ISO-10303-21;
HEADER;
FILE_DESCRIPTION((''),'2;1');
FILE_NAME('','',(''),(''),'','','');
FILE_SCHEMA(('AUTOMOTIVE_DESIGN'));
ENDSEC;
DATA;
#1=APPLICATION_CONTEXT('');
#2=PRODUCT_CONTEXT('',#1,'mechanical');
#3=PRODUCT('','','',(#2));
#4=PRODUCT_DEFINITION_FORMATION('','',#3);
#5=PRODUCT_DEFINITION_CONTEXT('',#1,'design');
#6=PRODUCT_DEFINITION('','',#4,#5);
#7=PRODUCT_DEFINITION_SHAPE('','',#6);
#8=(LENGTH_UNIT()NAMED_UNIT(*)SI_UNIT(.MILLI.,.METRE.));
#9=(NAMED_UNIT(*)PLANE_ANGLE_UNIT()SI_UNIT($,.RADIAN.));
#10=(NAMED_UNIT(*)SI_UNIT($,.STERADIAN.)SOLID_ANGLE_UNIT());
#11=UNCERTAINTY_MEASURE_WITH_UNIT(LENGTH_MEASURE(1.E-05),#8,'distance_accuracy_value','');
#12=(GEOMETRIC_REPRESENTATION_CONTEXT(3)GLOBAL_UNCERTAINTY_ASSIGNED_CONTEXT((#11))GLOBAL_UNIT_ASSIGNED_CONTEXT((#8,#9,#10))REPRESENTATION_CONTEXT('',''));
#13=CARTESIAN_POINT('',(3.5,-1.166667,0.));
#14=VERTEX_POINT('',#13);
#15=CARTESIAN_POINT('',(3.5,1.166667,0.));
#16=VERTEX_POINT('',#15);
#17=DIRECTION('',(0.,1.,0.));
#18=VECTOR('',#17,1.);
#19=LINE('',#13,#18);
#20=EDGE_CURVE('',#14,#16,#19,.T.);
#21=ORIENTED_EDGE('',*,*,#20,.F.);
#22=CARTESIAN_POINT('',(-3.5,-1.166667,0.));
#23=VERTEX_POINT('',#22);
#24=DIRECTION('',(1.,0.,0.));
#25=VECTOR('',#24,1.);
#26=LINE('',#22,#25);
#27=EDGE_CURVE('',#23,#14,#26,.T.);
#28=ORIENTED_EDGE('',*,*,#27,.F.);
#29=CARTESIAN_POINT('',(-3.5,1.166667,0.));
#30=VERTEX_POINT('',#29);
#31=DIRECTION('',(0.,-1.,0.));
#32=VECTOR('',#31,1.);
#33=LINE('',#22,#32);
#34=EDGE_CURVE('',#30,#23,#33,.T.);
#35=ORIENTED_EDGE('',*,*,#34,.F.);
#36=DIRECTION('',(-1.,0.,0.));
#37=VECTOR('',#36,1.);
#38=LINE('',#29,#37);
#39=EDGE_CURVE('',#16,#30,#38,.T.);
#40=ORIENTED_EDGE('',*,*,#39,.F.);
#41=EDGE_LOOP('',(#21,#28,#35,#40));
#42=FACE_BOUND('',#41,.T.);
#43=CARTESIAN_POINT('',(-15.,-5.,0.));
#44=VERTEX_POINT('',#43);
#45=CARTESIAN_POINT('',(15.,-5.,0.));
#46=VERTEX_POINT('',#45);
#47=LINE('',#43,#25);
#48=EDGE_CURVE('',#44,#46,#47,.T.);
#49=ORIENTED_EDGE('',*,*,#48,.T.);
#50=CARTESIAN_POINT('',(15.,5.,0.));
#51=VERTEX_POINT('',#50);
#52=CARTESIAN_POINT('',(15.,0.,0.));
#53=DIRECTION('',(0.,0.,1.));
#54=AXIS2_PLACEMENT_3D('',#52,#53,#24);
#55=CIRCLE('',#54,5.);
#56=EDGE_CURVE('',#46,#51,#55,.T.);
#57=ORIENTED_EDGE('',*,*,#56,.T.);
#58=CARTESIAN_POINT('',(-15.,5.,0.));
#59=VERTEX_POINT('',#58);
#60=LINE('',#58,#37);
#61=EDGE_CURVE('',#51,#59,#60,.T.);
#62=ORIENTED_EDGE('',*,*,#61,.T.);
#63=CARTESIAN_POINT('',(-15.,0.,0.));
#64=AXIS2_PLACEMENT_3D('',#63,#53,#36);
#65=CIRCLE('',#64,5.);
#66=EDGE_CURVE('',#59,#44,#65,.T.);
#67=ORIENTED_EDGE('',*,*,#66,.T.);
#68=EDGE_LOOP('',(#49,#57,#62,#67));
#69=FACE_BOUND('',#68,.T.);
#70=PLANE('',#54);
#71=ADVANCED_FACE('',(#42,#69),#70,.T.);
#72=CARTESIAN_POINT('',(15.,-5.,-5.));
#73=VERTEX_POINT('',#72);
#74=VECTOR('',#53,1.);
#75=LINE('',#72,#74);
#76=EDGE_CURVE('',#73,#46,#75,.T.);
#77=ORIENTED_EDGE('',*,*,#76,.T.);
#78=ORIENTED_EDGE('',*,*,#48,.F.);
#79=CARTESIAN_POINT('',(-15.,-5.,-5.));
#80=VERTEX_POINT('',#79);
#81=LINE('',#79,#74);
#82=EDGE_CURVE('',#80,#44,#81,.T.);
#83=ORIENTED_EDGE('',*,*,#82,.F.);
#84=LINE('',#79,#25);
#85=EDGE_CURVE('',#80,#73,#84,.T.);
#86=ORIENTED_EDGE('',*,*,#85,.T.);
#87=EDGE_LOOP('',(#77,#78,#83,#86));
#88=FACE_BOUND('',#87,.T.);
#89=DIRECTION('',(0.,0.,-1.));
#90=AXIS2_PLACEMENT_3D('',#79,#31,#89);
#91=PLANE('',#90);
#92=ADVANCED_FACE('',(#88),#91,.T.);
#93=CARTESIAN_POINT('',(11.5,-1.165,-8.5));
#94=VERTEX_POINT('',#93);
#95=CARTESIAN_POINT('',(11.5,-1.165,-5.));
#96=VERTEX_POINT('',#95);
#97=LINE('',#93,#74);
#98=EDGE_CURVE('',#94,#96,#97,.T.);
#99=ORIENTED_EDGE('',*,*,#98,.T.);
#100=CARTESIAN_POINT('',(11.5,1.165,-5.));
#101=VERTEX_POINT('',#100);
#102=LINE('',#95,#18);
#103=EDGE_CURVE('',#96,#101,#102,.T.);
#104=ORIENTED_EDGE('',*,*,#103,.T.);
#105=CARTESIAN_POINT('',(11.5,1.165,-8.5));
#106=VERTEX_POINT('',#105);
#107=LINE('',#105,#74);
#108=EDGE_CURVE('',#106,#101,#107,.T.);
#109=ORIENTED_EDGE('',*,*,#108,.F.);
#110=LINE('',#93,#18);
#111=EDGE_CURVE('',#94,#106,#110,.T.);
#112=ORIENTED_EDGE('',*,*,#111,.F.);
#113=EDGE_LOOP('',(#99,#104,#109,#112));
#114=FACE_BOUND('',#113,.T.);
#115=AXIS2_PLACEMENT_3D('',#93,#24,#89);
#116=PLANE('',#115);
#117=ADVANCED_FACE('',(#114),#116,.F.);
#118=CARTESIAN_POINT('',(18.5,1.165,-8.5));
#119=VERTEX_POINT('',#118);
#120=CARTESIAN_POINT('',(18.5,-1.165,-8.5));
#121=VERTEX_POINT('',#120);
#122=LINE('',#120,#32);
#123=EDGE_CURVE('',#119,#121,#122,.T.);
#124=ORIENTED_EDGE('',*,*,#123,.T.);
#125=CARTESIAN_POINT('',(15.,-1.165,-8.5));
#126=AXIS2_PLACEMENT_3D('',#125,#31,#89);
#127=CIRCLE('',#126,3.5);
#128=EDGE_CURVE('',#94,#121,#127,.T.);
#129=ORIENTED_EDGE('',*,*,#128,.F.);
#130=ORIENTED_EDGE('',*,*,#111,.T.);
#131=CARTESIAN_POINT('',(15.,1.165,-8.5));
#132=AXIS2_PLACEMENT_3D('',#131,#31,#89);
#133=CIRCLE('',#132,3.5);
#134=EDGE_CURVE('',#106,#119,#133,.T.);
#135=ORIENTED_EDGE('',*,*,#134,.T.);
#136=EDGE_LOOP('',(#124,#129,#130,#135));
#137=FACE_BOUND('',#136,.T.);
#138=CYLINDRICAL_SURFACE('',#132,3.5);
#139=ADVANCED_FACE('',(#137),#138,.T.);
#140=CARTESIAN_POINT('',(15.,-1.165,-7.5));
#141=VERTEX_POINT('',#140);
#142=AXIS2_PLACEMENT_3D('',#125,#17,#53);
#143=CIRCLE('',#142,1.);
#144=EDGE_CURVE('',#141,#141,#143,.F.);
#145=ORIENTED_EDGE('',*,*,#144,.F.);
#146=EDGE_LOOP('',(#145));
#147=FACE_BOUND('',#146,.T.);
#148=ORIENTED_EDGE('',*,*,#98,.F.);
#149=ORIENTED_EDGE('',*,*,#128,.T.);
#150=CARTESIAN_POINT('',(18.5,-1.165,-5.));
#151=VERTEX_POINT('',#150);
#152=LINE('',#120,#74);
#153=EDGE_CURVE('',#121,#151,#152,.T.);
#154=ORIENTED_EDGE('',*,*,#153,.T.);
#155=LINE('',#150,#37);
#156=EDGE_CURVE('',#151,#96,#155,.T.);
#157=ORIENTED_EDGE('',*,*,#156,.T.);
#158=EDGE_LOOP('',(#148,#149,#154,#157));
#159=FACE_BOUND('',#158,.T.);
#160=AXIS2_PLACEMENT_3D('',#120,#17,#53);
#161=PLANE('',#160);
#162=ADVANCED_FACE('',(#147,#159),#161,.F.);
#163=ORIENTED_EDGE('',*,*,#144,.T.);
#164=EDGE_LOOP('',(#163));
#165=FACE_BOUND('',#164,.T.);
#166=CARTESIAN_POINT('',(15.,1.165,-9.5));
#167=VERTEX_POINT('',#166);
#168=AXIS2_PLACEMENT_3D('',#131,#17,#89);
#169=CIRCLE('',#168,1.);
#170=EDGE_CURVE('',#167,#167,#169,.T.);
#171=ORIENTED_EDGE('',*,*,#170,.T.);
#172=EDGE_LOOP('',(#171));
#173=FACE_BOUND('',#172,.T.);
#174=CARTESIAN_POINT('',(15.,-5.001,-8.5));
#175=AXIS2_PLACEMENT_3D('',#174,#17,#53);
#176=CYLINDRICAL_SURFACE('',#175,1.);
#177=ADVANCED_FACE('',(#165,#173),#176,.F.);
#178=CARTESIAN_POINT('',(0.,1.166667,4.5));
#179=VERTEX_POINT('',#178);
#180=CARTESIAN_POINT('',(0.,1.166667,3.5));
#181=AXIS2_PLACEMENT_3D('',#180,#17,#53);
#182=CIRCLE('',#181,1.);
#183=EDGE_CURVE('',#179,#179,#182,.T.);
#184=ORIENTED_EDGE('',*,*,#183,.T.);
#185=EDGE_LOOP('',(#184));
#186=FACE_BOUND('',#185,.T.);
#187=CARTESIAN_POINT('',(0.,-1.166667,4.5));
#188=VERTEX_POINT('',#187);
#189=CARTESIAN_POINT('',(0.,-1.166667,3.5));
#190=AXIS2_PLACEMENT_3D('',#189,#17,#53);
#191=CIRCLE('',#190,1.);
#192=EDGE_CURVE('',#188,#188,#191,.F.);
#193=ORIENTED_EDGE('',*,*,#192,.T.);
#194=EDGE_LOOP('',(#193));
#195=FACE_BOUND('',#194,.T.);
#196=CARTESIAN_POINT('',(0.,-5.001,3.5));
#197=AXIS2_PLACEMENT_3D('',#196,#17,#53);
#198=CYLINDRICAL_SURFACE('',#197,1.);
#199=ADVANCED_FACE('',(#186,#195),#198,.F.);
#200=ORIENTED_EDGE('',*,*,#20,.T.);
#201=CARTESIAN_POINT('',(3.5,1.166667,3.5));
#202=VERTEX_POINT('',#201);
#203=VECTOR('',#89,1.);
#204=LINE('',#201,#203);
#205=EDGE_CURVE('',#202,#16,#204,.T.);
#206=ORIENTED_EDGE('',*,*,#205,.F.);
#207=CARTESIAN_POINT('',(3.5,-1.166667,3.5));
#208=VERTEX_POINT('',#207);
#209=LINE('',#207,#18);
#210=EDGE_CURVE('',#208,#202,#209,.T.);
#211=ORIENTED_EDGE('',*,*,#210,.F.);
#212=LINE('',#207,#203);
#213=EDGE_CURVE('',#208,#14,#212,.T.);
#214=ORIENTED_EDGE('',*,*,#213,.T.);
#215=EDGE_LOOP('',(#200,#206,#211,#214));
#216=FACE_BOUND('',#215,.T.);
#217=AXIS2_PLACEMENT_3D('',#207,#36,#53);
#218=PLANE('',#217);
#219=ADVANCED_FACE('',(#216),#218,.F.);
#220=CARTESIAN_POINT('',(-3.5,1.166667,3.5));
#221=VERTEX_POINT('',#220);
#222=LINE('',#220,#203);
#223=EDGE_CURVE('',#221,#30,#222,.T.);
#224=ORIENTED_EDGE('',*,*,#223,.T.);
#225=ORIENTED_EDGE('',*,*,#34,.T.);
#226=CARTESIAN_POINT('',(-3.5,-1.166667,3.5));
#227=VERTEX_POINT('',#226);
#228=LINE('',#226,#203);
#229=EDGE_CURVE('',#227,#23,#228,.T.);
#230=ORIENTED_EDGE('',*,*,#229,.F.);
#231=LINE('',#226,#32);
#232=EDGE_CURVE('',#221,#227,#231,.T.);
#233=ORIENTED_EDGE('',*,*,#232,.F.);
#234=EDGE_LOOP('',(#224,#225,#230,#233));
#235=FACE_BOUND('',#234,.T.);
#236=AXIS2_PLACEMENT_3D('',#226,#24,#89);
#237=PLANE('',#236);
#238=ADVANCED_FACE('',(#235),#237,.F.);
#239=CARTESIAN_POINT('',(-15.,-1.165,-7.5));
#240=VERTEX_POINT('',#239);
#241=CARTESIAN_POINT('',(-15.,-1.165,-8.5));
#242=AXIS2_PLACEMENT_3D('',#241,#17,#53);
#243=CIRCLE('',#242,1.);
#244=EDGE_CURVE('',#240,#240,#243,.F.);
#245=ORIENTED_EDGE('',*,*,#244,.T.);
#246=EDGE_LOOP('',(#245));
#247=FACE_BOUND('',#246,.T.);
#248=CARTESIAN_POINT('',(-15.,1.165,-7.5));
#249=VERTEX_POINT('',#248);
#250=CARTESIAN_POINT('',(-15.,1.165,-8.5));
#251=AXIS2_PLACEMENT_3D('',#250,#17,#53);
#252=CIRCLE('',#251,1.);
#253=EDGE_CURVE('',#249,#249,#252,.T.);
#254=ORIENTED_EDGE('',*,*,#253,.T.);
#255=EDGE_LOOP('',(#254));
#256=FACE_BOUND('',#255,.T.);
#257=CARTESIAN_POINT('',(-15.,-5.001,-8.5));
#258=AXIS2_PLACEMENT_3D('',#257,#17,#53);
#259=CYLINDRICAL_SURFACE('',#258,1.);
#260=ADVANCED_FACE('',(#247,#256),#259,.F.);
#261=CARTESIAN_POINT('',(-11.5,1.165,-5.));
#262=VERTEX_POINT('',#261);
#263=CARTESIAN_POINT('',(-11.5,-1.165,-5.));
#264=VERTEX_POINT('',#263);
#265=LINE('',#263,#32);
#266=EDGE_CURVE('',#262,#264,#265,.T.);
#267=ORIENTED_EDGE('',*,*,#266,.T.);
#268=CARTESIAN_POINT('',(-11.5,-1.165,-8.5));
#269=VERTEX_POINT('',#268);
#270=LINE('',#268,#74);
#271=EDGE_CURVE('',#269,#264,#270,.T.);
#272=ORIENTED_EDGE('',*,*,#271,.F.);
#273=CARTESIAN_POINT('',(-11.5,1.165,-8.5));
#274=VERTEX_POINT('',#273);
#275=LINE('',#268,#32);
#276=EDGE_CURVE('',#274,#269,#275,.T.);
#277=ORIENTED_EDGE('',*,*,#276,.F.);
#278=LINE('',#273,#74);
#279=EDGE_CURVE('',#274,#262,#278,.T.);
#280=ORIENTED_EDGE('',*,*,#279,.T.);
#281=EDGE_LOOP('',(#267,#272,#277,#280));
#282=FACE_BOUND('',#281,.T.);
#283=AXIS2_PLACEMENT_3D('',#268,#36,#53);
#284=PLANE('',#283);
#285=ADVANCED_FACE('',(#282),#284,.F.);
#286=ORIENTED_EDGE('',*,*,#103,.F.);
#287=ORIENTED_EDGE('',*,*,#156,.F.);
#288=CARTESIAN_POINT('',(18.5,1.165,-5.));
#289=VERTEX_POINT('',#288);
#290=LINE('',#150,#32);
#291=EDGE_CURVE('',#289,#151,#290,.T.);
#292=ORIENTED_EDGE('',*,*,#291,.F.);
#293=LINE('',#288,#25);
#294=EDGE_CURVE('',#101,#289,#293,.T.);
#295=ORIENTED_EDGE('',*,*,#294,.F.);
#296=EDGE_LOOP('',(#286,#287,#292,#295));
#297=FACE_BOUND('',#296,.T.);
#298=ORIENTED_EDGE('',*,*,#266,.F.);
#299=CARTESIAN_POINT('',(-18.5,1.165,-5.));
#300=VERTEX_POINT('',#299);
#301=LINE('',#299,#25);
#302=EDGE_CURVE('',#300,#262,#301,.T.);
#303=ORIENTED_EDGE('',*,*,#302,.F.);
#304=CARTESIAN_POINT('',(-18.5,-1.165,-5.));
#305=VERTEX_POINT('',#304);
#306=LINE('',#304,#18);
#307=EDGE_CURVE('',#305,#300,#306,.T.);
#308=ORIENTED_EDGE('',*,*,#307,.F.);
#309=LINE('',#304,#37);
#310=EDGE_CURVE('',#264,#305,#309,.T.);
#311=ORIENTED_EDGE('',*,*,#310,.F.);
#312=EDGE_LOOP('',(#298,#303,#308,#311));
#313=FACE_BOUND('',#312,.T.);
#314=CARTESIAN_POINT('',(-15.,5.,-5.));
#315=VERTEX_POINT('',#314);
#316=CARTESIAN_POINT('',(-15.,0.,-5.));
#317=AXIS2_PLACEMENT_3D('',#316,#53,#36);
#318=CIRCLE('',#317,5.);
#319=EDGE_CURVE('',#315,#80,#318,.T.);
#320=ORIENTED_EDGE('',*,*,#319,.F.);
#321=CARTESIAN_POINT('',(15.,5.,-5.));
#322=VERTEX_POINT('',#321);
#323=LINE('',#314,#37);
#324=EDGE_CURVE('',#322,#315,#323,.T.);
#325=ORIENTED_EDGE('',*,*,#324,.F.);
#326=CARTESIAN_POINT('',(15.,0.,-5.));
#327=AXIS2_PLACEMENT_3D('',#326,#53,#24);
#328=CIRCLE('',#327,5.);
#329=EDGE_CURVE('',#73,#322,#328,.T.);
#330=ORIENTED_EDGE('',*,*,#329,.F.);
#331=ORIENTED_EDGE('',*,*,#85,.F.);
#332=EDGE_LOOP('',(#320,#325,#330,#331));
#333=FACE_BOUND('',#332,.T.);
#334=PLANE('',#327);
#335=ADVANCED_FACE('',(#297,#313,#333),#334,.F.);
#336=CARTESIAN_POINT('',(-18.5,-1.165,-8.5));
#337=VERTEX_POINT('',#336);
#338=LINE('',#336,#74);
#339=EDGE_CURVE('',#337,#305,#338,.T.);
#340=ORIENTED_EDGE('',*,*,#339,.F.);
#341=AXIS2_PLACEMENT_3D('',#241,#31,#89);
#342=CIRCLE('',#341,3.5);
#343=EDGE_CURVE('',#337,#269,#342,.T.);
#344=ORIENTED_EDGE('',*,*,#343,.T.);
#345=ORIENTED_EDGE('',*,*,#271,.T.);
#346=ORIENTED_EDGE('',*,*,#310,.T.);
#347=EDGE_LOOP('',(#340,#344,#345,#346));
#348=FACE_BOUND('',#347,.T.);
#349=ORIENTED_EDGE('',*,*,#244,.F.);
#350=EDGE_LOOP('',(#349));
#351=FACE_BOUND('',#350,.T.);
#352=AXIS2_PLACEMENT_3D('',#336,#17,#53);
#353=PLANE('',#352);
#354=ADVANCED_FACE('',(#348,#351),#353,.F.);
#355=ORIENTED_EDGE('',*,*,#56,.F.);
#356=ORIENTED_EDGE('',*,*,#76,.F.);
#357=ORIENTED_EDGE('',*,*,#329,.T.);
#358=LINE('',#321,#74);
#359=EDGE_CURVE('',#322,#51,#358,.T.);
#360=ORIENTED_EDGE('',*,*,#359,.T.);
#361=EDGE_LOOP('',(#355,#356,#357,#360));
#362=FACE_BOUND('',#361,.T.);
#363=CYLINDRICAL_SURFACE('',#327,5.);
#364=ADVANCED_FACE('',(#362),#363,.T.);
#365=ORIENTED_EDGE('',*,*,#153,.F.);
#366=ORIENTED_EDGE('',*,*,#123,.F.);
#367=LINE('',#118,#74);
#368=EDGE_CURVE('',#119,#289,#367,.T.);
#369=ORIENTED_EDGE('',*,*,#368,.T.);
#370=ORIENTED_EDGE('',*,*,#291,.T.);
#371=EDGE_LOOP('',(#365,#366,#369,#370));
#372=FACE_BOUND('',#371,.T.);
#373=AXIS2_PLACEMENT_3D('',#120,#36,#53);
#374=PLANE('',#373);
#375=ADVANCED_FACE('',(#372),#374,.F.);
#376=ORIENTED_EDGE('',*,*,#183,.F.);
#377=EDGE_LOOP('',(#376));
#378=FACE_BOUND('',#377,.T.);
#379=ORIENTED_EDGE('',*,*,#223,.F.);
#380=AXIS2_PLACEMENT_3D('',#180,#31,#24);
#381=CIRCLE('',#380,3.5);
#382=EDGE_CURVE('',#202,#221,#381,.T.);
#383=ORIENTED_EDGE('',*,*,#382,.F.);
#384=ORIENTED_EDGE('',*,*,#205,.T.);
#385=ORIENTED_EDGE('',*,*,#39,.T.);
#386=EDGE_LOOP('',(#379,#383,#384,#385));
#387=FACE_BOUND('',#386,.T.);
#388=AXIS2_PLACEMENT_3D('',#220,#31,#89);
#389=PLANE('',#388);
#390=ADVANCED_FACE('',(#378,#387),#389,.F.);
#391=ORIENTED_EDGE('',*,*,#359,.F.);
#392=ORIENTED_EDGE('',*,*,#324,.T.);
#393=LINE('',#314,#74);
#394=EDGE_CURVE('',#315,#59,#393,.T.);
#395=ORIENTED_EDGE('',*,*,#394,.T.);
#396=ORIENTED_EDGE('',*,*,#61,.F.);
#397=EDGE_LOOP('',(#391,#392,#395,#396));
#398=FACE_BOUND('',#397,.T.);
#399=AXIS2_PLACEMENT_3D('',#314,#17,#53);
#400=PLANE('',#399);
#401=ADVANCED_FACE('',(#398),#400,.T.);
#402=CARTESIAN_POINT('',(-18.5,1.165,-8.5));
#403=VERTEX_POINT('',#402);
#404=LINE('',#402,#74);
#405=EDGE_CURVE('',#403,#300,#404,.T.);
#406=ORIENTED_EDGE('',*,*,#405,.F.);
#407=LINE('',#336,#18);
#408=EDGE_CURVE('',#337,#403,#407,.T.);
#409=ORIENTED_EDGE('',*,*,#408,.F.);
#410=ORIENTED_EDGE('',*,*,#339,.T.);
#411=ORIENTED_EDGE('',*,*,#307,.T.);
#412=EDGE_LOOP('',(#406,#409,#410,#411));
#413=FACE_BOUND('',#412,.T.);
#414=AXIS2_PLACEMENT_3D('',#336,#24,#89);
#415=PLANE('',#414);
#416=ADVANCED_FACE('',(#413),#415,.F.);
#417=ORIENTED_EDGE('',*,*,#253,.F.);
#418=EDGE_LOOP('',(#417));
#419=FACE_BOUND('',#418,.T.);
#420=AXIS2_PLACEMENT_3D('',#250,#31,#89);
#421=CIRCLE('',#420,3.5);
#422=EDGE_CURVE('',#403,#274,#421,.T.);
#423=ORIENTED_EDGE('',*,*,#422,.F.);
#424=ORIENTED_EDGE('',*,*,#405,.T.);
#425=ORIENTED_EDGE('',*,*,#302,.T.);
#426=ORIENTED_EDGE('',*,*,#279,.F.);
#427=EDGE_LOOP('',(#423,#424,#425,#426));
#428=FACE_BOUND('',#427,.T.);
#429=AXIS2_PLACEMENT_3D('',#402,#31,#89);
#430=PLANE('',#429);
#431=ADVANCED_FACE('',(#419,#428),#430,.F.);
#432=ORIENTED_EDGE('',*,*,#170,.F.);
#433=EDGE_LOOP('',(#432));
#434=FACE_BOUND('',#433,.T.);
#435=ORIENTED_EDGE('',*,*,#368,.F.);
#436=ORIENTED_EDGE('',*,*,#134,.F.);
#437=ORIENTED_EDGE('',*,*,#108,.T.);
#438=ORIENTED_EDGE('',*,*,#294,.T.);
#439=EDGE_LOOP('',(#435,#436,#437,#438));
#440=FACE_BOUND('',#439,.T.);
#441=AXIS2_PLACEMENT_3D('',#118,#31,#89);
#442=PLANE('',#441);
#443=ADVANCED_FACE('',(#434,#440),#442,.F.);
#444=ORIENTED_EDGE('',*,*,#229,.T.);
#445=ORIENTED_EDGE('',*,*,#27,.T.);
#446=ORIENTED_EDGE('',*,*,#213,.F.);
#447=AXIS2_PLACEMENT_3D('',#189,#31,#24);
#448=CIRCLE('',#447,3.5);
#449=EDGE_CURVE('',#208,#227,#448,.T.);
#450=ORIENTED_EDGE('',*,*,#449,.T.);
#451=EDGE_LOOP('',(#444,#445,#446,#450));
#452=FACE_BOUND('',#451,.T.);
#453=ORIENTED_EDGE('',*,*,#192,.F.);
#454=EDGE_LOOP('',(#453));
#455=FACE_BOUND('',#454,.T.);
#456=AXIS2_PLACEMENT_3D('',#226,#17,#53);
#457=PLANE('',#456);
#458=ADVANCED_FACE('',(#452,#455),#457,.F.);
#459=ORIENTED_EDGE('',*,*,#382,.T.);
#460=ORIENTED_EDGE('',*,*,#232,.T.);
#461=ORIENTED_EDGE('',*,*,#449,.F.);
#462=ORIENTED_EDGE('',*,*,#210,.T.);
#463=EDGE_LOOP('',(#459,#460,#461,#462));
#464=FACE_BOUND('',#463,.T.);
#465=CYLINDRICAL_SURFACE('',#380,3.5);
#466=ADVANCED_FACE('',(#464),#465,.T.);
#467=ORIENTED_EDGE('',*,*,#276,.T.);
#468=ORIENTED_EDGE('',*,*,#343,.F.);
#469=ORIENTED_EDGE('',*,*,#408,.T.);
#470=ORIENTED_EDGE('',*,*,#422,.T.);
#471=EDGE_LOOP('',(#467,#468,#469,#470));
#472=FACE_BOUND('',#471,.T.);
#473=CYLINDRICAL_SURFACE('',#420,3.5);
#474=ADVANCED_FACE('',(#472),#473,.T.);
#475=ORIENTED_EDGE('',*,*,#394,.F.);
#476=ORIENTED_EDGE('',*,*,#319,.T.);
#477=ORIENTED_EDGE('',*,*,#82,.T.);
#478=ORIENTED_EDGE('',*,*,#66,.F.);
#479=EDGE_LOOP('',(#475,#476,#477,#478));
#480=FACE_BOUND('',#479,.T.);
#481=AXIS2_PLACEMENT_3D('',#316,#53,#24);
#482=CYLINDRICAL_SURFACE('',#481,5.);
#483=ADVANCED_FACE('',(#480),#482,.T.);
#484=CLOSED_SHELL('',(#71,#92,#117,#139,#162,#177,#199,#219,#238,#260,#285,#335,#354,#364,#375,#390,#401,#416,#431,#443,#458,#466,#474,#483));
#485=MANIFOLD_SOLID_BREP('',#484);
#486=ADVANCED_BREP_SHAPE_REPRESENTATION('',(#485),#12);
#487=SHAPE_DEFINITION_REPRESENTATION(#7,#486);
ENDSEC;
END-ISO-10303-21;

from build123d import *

# Parameters (mm, degrees)
BOSS_EXTRUDE1_DEPTH = 5
SKETCH3_W           = 7
SKETCH3_H           = 2.333333334
BOSS_EXTRUDE2_DEPTH = 3.5
SKETCH6_W           = 3.5
SKETCH6_H           = 2.333333334
REVOLVE1_ANGLE      = 180
CUT_EXTRUDE1_REACH  = 24.069
SKETCH7_R           = 1
SKETCH8_W           = 7
SKETCH8_H           = 2.33
BOSS_EXTRUDE3_DEPTH = 3.5
SKETCH9_W           = 3.5
SKETCH9_H           = 2.33
REVOLVE2_ANGLE      = 180
SKETCH9_3_W         = 3.5
SKETCH9_3_H         = 2.33
REVOLVE3_ANGLE      = 180
CUT_EXTRUDE2_REACH  = 26.125
SKETCH11_R          = 1


with BuildPart() as part:
    # Sketch2 → Boss-Extrude1 (new body)
    with BuildSketch(Plane.XY):
        with BuildLine():
            Line((-15, -5), (15, -5))
            ThreePointArc((15, -5), (20, 0), (15, 5))
            Line((15, 5), (-15, 5))
            ThreePointArc((-15, 5), (-20, 0), (-15, -5))
        make_face()
    extrude(amount=-BOSS_EXTRUDE1_DEPTH)

    # Sketch3 → Boss-Extrude2 (add)
    with BuildSketch(Plane.XY):
        Rectangle(SKETCH3_W, SKETCH3_H)
    extrude(amount=BOSS_EXTRUDE2_DEPTH)

    # Sketch6 → Revolve1 (revolve)
    with BuildSketch(Plane.XY.offset(3.5)):
        with Locations((-1.75, 0)):
            Rectangle(SKETCH6_W, SKETCH6_H)
    revolve(axis=Axis((0, 1.166666667, 3.5), (0, 1, 0)), revolution_arc=REVOLVE1_ANGLE)

    # Sketch7 → Cut-Extrude1 (cut, up to next)
    with BuildSketch(Plane(origin=(0, 1.166666667, 0), x_dir=(1, 0, 0), z_dir=(0, 1, 0)), mode=Mode.PRIVATE) as cut_extrude1_sk1:
        with Locations((0, -3.5)):
            Circle(SKETCH7_R)
    cut_extrude1_tool1 = extrude(cut_extrude1_sk1.sketch, amount=-CUT_EXTRUDE1_REACH, mode=Mode.PRIVATE) & part.part
    add(cut_extrude1_tool1.solids().sort_by_distance((0, 1.166667, 3.5))[0], mode=Mode.SUBTRACT)

    # Sketch8 → Boss-Extrude3 (add)
    with BuildSketch(Plane(origin=(0, 0, -5), x_dir=(-1, 0, 0), z_dir=(0, 0, -1))):
        with Locations((-15, 0)):
            Rectangle(SKETCH8_W, SKETCH8_H)
        with Locations((15, 0)):
            Rectangle(SKETCH8_W, SKETCH8_H)
    extrude(amount=BOSS_EXTRUDE3_DEPTH)

    # Sketch9 → Revolve2 (revolve)
    with BuildSketch(Plane(origin=(0, 0, -8.5), x_dir=(-1, 0, 0), z_dir=(0, 0, -1))):
        with Locations((-16.75, 0)):
            Rectangle(SKETCH9_W, SKETCH9_H)
    revolve(axis=Axis((15, 1.165, -8.5), (0, 1, 0)), revolution_arc=REVOLVE2_ANGLE)

    # Sketch9<3> → Revolve3 (revolve)
    with BuildSketch(Plane(origin=(0, 0, -8.5), x_dir=(-1, 0, 0), z_dir=(0, 0, -1))):
        with Locations((13.25, 0)):
            Rectangle(SKETCH9_3_W, SKETCH9_3_H)
    revolve(axis=Axis((-15, 1.165, -8.5), (0, 1, 0)), revolution_arc=REVOLVE3_ANGLE)

    # Sketch11 → Cut-Extrude2 (cut, up to next)
    with BuildSketch(Plane(origin=(0, 1.165, 0), x_dir=(1, 0, 0), z_dir=(0, 1, 0)), mode=Mode.PRIVATE) as cut_extrude2_sk1:
        with Locations((-15, 8.5)):
            Circle(SKETCH11_R)
    cut_extrude2_tool1 = extrude(cut_extrude2_sk1.sketch, amount=-CUT_EXTRUDE2_REACH, mode=Mode.PRIVATE) & part.part
    # Sketch11 → Cut-Extrude2 (cut, up to next)
    with BuildSketch(Plane(origin=(0, 1.165, 0), x_dir=(1, 0, 0), z_dir=(0, 1, 0)), mode=Mode.PRIVATE) as cut_extrude2_sk2:
        with Locations((15, 8.5)):
            Circle(SKETCH11_R)
    cut_extrude2_tool2 = extrude(cut_extrude2_sk2.sketch, amount=-CUT_EXTRUDE2_REACH, mode=Mode.PRIVATE) & part.part
    add(cut_extrude2_tool1.solids().sort_by_distance((-15, 1.165, -8.5))[0], mode=Mode.SUBTRACT)
    add(cut_extrude2_tool2.solids().sort_by_distance((15, 1.165, -8.5))[0], mode=Mode.SUBTRACT)


solid = part.part
